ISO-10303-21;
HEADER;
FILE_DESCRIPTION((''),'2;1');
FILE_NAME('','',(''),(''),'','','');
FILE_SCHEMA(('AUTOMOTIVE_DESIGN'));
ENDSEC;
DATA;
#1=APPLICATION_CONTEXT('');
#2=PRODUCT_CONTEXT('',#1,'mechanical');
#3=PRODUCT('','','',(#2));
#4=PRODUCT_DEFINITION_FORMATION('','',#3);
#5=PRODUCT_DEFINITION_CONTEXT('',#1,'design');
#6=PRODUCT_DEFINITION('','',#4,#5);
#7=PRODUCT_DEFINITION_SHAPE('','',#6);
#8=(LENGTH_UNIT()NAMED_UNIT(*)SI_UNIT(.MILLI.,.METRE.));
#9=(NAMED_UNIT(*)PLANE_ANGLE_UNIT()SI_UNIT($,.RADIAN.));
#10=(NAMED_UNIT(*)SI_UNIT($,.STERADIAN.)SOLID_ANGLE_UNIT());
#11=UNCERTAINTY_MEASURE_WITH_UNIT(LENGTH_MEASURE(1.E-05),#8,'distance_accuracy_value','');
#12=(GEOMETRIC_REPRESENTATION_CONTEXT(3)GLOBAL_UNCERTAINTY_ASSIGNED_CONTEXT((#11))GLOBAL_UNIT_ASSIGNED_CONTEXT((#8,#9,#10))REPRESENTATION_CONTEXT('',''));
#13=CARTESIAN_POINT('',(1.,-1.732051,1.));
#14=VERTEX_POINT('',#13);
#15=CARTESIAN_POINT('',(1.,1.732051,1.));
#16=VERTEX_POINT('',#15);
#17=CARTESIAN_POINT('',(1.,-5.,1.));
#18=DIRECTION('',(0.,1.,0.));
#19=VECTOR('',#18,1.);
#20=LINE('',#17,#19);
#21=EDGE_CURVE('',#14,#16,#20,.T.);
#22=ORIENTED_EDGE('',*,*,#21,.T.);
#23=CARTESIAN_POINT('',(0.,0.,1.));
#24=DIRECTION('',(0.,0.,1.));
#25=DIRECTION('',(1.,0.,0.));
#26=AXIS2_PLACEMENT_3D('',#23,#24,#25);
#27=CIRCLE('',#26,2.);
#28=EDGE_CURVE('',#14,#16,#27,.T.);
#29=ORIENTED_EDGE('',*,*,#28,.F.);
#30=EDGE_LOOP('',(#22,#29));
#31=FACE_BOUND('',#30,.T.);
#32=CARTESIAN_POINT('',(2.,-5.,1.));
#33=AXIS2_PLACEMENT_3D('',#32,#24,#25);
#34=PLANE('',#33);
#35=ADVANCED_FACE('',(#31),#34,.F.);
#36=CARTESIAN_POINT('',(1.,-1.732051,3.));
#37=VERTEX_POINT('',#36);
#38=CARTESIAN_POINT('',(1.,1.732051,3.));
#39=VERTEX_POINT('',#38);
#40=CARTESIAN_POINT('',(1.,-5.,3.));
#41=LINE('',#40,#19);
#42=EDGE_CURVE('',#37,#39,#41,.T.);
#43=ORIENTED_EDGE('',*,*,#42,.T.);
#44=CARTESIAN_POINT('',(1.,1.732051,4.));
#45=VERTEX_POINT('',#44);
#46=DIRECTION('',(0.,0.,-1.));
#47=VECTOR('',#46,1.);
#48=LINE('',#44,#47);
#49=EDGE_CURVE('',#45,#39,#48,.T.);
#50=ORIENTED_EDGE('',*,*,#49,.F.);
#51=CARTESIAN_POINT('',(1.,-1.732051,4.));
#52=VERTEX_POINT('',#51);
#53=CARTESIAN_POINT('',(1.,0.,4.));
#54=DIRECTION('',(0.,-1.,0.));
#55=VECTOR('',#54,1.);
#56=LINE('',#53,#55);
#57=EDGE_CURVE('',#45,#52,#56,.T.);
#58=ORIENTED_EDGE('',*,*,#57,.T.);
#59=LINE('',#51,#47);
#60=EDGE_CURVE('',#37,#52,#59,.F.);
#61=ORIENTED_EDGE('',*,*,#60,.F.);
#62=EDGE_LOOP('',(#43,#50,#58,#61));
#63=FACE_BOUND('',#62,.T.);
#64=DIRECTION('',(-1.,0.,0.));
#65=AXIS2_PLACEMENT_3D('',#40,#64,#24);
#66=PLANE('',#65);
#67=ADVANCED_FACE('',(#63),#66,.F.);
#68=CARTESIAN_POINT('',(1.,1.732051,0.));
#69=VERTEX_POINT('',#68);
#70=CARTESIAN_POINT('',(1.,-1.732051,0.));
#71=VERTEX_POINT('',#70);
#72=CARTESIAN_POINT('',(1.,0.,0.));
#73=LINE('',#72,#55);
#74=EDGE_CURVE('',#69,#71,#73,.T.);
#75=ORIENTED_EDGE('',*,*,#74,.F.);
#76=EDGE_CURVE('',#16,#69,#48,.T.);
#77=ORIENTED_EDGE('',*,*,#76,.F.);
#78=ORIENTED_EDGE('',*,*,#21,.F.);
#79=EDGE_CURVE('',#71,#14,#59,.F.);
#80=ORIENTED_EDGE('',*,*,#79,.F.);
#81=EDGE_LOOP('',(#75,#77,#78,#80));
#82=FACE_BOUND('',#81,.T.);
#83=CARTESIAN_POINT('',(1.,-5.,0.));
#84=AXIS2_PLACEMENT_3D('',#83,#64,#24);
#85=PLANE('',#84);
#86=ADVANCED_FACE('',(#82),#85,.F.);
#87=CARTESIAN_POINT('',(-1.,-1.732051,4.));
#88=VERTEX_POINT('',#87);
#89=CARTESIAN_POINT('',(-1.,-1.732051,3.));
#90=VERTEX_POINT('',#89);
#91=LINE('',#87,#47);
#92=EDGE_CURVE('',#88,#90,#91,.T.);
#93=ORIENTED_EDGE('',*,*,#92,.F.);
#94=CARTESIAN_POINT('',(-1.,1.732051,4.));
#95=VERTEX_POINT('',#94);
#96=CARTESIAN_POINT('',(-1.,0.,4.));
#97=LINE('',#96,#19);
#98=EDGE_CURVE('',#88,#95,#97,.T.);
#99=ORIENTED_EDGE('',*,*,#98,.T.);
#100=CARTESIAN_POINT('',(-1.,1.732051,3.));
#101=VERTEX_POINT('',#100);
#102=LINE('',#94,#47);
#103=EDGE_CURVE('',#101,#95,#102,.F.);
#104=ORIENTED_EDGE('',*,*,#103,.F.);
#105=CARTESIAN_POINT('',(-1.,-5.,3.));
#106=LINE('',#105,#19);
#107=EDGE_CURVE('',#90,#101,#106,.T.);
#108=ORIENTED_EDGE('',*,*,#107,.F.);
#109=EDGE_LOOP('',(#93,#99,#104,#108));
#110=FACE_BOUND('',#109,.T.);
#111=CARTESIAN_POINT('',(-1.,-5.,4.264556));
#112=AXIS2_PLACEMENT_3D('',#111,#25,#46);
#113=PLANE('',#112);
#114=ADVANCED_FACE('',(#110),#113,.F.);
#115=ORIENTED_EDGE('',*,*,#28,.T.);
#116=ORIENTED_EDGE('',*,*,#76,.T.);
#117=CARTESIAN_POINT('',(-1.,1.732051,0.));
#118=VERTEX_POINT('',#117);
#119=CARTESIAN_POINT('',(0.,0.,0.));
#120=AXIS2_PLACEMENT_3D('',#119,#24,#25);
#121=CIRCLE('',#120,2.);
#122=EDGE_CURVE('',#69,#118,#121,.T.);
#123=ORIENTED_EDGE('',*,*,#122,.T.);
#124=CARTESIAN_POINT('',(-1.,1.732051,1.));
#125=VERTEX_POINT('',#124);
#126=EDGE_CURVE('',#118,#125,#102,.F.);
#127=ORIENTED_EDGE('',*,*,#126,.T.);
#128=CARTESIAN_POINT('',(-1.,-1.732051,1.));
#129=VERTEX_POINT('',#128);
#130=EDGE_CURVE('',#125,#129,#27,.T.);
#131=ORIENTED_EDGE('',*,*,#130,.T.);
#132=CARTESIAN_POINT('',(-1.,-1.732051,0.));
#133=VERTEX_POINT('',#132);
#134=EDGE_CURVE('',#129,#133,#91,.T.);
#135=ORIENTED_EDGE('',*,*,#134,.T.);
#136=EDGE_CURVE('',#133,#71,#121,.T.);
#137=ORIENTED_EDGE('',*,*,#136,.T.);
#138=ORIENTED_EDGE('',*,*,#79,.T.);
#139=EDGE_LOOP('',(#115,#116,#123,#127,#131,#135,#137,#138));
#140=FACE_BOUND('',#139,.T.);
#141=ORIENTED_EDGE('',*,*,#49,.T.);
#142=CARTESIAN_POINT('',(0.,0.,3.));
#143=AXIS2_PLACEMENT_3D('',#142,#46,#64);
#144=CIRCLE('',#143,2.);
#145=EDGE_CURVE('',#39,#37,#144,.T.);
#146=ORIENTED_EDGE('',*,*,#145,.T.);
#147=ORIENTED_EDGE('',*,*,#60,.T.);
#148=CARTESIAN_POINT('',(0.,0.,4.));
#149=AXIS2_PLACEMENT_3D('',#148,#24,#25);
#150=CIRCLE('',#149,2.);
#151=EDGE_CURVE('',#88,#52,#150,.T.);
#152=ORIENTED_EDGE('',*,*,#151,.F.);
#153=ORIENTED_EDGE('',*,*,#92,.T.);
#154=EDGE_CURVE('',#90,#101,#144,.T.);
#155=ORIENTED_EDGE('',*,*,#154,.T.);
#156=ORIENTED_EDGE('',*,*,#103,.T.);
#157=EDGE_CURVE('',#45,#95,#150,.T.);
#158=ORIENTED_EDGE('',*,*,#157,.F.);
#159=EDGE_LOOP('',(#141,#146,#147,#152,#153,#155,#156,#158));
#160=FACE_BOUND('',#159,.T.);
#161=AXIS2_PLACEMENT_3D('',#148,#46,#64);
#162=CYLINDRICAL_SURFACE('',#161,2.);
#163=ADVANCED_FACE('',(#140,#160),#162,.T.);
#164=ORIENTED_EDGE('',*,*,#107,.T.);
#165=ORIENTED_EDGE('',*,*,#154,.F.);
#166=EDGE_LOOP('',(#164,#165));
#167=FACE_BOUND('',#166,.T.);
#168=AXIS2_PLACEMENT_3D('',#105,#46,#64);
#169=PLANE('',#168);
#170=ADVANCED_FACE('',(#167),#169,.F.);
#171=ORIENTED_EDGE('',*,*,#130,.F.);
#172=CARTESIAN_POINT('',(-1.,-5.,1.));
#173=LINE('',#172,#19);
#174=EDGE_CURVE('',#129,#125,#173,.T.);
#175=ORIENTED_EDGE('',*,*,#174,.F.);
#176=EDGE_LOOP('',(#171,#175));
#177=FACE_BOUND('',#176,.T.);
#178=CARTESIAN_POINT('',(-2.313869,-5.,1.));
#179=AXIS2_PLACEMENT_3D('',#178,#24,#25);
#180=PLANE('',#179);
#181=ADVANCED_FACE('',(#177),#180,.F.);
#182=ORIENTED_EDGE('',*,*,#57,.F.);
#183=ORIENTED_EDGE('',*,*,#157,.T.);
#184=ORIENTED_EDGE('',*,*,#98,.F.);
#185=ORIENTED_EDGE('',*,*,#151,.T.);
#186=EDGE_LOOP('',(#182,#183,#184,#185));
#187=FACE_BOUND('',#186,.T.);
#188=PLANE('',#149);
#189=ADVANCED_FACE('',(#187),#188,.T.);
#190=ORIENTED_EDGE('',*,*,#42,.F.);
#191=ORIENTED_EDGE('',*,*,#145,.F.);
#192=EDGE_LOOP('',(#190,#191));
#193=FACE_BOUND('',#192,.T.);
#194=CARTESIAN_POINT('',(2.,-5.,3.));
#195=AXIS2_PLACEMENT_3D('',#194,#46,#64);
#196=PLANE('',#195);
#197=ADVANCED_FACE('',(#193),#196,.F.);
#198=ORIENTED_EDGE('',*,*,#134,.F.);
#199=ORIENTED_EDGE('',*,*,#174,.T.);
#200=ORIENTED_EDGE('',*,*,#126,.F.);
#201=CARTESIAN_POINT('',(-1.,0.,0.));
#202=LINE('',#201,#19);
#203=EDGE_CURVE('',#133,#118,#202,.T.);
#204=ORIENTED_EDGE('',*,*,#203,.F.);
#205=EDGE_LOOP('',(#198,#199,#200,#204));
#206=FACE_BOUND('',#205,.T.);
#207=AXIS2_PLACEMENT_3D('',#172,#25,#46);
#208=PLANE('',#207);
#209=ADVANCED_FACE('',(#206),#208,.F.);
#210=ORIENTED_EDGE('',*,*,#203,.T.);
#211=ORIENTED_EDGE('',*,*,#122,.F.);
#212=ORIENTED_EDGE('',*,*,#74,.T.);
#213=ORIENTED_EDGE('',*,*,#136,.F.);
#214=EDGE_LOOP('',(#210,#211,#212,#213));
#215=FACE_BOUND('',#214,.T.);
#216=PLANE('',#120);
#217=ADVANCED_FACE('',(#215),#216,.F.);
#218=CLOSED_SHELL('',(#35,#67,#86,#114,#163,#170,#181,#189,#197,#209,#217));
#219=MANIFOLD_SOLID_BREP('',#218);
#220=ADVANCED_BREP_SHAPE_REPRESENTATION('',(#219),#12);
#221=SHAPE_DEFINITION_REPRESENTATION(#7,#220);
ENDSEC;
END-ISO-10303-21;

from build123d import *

# Parameters (mm, degrees)
SKETCH1_R           = 2
BOSS_EXTRUDE1_DEPTH = 4
CUT_EXTRUDE1_DEPTH  = 5
SKETCH3_W           = 1
SKETCH3_H           = 1
CUT_EXTRUDE2_DEPTH  = 5


with BuildPart() as part:
    # Sketch1 → Boss-Extrude1 (new body)
    with BuildSketch(Plane.XY):
        Circle(SKETCH1_R)
    extrude(amount=BOSS_EXTRUDE1_DEPTH)

    # Sketch2 → Cut-Extrude1 (cut, symmetric)
    with BuildSketch(Plane(origin=(0, 0, 0), x_dir=(1, 0, 0), z_dir=(0, 1, 0))):
        Polygon((2, -3), (1, -3), (1, -4.221507546), (-1, -4.26455627), (-1, -3), (-2.31386892, -3), (-2.31386892, -1), (-1, -1), (-1, 0.234035397), (-2.586760402, 0.199881392), (-2.489753088, -4.306979917), (2, -4.619024092), (2.554571986, -4.221507546), align=None)
    extrude(amount=CUT_EXTRUDE1_DEPTH, both=True, mode=Mode.SUBTRACT)

    # Sketch3 → Cut-Extrude2 (cut, symmetric)
    with BuildSketch(Plane(origin=(0, 0, 0), x_dir=(1, 0, 0), z_dir=(0, 1, 0))):
        with Locations((1.5, -0.5)):
            Rectangle(SKETCH3_W, SKETCH3_H)
    extrude(amount=CUT_EXTRUDE2_DEPTH, both=True, mode=Mode.SUBTRACT)


solid = part.part
